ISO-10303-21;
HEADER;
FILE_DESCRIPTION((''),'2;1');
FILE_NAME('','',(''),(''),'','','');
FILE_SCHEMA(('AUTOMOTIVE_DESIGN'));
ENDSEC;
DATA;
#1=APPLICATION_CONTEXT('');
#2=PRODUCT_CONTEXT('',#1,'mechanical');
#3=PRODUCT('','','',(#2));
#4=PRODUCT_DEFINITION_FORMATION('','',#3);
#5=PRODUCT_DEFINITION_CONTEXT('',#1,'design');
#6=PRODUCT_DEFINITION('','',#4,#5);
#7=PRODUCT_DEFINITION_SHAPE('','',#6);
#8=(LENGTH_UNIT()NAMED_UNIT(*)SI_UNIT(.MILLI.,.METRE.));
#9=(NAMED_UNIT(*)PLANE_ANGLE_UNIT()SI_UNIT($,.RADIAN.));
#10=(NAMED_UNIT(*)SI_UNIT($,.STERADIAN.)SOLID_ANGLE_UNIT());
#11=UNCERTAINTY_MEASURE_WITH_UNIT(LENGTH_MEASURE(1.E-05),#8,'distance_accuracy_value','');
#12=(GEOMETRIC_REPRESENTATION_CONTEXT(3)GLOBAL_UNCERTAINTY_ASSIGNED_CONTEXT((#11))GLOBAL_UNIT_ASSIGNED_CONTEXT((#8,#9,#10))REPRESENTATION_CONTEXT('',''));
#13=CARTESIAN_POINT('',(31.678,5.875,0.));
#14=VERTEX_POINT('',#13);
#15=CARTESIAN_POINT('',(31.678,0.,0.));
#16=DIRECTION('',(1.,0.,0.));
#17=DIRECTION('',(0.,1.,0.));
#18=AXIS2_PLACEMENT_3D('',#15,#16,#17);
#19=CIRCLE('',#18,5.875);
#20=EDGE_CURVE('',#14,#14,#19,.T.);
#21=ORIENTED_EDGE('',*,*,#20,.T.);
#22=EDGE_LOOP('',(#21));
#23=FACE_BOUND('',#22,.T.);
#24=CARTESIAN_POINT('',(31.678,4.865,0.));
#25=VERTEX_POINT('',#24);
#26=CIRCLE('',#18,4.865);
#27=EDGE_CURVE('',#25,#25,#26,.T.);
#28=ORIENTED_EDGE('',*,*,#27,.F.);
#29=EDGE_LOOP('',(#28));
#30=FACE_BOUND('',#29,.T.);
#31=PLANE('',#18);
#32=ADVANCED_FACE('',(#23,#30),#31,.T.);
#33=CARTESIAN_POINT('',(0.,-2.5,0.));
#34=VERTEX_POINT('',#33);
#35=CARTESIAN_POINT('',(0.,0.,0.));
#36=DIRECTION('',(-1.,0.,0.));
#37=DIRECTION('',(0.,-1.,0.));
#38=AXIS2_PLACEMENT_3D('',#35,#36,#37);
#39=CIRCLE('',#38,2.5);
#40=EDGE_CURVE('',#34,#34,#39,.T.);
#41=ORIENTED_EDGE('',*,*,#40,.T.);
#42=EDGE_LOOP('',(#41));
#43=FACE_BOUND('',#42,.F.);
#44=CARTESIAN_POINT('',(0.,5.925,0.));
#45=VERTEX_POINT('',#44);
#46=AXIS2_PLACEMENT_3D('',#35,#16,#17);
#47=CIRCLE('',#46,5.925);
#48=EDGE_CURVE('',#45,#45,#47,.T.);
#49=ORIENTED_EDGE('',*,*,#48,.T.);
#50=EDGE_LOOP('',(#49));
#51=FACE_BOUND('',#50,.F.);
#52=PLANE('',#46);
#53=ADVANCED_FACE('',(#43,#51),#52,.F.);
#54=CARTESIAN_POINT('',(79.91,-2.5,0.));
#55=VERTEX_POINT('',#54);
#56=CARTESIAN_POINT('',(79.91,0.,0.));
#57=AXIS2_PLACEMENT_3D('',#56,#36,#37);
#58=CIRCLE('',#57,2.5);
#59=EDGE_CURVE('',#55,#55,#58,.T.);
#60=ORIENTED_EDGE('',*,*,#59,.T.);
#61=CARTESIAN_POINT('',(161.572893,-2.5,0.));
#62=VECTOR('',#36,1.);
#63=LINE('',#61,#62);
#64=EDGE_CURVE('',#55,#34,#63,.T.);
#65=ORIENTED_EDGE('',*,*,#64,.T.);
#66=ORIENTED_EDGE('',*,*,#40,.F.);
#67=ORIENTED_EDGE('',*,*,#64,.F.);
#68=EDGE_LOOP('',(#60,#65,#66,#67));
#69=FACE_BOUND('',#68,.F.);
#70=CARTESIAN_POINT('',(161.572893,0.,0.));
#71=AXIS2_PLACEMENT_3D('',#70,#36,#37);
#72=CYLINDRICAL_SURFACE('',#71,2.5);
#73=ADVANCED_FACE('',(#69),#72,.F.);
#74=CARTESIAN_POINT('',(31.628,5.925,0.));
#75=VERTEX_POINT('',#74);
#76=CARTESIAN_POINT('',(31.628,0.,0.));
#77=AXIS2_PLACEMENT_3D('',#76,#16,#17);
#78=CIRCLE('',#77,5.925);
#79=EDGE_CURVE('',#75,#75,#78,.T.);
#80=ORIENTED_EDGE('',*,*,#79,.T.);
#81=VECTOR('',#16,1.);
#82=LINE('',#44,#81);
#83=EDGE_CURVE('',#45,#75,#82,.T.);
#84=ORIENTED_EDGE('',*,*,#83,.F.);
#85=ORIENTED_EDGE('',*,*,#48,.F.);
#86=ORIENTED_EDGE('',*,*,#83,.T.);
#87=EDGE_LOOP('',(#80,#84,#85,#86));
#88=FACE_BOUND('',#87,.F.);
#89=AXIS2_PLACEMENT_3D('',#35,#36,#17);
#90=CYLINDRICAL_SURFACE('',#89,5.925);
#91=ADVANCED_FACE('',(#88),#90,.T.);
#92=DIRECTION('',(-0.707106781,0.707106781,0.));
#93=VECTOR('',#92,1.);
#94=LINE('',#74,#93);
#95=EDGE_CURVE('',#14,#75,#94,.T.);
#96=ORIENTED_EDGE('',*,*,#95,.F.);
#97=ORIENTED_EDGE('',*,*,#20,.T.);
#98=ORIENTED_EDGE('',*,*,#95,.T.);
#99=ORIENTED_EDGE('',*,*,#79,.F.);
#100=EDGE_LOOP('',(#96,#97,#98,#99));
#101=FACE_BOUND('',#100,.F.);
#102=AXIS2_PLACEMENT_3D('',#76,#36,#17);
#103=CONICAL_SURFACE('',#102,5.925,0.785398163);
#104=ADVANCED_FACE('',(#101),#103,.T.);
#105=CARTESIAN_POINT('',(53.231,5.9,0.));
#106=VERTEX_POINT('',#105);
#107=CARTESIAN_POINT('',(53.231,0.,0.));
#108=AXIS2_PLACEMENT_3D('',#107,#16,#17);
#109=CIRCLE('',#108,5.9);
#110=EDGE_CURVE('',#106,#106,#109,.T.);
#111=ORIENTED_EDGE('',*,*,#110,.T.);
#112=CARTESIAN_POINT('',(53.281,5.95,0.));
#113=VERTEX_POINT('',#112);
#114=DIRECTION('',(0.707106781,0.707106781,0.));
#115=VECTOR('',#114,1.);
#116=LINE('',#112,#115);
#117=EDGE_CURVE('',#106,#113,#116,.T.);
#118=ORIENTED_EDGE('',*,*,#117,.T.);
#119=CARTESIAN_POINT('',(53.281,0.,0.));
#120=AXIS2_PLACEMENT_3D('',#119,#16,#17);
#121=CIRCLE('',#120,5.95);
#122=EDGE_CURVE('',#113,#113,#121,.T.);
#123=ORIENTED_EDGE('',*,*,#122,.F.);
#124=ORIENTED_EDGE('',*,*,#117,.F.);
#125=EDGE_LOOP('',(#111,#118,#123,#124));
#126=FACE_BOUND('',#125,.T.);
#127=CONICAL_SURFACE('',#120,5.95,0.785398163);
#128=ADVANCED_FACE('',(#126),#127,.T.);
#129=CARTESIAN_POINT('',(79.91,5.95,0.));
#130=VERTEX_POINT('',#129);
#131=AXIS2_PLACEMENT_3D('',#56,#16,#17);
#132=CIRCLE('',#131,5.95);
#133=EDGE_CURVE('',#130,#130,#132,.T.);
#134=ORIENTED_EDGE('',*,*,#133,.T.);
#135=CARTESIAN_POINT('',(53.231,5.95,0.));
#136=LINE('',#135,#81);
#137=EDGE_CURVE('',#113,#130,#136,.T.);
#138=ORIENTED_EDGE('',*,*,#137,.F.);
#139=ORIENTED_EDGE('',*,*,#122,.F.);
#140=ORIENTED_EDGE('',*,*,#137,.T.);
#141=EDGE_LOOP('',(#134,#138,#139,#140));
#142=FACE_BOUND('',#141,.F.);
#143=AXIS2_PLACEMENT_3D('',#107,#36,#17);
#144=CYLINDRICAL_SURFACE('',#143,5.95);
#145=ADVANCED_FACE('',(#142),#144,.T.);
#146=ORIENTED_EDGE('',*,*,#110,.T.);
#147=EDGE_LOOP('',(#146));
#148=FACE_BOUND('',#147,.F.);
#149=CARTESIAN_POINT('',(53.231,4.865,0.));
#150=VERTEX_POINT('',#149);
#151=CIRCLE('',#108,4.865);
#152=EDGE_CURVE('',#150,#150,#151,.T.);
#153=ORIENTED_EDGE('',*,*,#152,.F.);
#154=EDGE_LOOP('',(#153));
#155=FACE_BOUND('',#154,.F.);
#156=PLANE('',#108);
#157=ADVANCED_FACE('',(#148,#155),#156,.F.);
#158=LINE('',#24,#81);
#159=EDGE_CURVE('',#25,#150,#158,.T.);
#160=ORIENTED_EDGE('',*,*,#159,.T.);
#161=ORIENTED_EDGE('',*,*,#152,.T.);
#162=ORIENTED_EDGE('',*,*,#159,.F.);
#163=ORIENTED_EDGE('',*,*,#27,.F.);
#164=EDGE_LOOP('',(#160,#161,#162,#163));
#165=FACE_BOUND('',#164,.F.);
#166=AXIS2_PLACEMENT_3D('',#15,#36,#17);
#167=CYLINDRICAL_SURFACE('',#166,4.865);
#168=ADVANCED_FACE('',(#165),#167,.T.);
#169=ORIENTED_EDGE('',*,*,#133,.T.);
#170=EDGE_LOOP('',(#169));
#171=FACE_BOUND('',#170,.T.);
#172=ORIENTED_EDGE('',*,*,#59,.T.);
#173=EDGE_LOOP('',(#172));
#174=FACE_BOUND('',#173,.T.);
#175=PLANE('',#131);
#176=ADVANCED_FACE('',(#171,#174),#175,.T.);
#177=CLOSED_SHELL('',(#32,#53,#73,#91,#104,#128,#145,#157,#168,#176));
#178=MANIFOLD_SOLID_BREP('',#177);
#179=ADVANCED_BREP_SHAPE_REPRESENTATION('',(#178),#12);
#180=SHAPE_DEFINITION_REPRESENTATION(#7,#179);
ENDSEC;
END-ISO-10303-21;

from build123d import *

# Parameters (mm, degrees)
F0_R     = 5.925
F1_DEPTH = 31.678
F2_R     = 4.865
F3_DEPTH = 21.553
F4_R     = 5.95
F4_R_2   = 4.865
F5_DEPTH = 26.679
F7_D     = 5
F8_SIZE  = 0.05
F9_SIZE  = 0.05


with BuildPart() as f1:
    # F0 (on Right) → F1 (new body)
    with BuildSketch(Plane.YZ):
        Circle(F0_R)
    extrude(amount=F1_DEPTH)

    # F2 (on face) → F3 (join)
    with BuildSketch(Plane.YZ.offset(31.678)):
        Circle(F2_R)
    extrude(amount=F3_DEPTH)

    # F4 (on face) → F5 (join)
    with BuildSketch(Plane.YZ.offset(53.231)):
        Circle(F4_R)
        Circle(F4_R_2, mode=Mode.SUBTRACT)
        Circle(F4_R_2)
    extrude(amount=F5_DEPTH)

    # F7 (through all)
    with Locations(Plane.YZ.offset(79.91)):
        with Locations((0, 0)):
            Hole(F7_D / 2)

    # F8
    f8_edges = [f1.edges().sort_by_distance(p)[0] for p in [
        (31.678, -5.925, 0),
    ]]
    chamfer(f8_edges, length=F8_SIZE)

    # F9
    f9_edges = [f1.edges().sort_by_distance(p)[0] for p in [
        (53.231, -5.95, 0),
    ]]
    chamfer(f9_edges, length=F9_SIZE)


solid = f1.part
